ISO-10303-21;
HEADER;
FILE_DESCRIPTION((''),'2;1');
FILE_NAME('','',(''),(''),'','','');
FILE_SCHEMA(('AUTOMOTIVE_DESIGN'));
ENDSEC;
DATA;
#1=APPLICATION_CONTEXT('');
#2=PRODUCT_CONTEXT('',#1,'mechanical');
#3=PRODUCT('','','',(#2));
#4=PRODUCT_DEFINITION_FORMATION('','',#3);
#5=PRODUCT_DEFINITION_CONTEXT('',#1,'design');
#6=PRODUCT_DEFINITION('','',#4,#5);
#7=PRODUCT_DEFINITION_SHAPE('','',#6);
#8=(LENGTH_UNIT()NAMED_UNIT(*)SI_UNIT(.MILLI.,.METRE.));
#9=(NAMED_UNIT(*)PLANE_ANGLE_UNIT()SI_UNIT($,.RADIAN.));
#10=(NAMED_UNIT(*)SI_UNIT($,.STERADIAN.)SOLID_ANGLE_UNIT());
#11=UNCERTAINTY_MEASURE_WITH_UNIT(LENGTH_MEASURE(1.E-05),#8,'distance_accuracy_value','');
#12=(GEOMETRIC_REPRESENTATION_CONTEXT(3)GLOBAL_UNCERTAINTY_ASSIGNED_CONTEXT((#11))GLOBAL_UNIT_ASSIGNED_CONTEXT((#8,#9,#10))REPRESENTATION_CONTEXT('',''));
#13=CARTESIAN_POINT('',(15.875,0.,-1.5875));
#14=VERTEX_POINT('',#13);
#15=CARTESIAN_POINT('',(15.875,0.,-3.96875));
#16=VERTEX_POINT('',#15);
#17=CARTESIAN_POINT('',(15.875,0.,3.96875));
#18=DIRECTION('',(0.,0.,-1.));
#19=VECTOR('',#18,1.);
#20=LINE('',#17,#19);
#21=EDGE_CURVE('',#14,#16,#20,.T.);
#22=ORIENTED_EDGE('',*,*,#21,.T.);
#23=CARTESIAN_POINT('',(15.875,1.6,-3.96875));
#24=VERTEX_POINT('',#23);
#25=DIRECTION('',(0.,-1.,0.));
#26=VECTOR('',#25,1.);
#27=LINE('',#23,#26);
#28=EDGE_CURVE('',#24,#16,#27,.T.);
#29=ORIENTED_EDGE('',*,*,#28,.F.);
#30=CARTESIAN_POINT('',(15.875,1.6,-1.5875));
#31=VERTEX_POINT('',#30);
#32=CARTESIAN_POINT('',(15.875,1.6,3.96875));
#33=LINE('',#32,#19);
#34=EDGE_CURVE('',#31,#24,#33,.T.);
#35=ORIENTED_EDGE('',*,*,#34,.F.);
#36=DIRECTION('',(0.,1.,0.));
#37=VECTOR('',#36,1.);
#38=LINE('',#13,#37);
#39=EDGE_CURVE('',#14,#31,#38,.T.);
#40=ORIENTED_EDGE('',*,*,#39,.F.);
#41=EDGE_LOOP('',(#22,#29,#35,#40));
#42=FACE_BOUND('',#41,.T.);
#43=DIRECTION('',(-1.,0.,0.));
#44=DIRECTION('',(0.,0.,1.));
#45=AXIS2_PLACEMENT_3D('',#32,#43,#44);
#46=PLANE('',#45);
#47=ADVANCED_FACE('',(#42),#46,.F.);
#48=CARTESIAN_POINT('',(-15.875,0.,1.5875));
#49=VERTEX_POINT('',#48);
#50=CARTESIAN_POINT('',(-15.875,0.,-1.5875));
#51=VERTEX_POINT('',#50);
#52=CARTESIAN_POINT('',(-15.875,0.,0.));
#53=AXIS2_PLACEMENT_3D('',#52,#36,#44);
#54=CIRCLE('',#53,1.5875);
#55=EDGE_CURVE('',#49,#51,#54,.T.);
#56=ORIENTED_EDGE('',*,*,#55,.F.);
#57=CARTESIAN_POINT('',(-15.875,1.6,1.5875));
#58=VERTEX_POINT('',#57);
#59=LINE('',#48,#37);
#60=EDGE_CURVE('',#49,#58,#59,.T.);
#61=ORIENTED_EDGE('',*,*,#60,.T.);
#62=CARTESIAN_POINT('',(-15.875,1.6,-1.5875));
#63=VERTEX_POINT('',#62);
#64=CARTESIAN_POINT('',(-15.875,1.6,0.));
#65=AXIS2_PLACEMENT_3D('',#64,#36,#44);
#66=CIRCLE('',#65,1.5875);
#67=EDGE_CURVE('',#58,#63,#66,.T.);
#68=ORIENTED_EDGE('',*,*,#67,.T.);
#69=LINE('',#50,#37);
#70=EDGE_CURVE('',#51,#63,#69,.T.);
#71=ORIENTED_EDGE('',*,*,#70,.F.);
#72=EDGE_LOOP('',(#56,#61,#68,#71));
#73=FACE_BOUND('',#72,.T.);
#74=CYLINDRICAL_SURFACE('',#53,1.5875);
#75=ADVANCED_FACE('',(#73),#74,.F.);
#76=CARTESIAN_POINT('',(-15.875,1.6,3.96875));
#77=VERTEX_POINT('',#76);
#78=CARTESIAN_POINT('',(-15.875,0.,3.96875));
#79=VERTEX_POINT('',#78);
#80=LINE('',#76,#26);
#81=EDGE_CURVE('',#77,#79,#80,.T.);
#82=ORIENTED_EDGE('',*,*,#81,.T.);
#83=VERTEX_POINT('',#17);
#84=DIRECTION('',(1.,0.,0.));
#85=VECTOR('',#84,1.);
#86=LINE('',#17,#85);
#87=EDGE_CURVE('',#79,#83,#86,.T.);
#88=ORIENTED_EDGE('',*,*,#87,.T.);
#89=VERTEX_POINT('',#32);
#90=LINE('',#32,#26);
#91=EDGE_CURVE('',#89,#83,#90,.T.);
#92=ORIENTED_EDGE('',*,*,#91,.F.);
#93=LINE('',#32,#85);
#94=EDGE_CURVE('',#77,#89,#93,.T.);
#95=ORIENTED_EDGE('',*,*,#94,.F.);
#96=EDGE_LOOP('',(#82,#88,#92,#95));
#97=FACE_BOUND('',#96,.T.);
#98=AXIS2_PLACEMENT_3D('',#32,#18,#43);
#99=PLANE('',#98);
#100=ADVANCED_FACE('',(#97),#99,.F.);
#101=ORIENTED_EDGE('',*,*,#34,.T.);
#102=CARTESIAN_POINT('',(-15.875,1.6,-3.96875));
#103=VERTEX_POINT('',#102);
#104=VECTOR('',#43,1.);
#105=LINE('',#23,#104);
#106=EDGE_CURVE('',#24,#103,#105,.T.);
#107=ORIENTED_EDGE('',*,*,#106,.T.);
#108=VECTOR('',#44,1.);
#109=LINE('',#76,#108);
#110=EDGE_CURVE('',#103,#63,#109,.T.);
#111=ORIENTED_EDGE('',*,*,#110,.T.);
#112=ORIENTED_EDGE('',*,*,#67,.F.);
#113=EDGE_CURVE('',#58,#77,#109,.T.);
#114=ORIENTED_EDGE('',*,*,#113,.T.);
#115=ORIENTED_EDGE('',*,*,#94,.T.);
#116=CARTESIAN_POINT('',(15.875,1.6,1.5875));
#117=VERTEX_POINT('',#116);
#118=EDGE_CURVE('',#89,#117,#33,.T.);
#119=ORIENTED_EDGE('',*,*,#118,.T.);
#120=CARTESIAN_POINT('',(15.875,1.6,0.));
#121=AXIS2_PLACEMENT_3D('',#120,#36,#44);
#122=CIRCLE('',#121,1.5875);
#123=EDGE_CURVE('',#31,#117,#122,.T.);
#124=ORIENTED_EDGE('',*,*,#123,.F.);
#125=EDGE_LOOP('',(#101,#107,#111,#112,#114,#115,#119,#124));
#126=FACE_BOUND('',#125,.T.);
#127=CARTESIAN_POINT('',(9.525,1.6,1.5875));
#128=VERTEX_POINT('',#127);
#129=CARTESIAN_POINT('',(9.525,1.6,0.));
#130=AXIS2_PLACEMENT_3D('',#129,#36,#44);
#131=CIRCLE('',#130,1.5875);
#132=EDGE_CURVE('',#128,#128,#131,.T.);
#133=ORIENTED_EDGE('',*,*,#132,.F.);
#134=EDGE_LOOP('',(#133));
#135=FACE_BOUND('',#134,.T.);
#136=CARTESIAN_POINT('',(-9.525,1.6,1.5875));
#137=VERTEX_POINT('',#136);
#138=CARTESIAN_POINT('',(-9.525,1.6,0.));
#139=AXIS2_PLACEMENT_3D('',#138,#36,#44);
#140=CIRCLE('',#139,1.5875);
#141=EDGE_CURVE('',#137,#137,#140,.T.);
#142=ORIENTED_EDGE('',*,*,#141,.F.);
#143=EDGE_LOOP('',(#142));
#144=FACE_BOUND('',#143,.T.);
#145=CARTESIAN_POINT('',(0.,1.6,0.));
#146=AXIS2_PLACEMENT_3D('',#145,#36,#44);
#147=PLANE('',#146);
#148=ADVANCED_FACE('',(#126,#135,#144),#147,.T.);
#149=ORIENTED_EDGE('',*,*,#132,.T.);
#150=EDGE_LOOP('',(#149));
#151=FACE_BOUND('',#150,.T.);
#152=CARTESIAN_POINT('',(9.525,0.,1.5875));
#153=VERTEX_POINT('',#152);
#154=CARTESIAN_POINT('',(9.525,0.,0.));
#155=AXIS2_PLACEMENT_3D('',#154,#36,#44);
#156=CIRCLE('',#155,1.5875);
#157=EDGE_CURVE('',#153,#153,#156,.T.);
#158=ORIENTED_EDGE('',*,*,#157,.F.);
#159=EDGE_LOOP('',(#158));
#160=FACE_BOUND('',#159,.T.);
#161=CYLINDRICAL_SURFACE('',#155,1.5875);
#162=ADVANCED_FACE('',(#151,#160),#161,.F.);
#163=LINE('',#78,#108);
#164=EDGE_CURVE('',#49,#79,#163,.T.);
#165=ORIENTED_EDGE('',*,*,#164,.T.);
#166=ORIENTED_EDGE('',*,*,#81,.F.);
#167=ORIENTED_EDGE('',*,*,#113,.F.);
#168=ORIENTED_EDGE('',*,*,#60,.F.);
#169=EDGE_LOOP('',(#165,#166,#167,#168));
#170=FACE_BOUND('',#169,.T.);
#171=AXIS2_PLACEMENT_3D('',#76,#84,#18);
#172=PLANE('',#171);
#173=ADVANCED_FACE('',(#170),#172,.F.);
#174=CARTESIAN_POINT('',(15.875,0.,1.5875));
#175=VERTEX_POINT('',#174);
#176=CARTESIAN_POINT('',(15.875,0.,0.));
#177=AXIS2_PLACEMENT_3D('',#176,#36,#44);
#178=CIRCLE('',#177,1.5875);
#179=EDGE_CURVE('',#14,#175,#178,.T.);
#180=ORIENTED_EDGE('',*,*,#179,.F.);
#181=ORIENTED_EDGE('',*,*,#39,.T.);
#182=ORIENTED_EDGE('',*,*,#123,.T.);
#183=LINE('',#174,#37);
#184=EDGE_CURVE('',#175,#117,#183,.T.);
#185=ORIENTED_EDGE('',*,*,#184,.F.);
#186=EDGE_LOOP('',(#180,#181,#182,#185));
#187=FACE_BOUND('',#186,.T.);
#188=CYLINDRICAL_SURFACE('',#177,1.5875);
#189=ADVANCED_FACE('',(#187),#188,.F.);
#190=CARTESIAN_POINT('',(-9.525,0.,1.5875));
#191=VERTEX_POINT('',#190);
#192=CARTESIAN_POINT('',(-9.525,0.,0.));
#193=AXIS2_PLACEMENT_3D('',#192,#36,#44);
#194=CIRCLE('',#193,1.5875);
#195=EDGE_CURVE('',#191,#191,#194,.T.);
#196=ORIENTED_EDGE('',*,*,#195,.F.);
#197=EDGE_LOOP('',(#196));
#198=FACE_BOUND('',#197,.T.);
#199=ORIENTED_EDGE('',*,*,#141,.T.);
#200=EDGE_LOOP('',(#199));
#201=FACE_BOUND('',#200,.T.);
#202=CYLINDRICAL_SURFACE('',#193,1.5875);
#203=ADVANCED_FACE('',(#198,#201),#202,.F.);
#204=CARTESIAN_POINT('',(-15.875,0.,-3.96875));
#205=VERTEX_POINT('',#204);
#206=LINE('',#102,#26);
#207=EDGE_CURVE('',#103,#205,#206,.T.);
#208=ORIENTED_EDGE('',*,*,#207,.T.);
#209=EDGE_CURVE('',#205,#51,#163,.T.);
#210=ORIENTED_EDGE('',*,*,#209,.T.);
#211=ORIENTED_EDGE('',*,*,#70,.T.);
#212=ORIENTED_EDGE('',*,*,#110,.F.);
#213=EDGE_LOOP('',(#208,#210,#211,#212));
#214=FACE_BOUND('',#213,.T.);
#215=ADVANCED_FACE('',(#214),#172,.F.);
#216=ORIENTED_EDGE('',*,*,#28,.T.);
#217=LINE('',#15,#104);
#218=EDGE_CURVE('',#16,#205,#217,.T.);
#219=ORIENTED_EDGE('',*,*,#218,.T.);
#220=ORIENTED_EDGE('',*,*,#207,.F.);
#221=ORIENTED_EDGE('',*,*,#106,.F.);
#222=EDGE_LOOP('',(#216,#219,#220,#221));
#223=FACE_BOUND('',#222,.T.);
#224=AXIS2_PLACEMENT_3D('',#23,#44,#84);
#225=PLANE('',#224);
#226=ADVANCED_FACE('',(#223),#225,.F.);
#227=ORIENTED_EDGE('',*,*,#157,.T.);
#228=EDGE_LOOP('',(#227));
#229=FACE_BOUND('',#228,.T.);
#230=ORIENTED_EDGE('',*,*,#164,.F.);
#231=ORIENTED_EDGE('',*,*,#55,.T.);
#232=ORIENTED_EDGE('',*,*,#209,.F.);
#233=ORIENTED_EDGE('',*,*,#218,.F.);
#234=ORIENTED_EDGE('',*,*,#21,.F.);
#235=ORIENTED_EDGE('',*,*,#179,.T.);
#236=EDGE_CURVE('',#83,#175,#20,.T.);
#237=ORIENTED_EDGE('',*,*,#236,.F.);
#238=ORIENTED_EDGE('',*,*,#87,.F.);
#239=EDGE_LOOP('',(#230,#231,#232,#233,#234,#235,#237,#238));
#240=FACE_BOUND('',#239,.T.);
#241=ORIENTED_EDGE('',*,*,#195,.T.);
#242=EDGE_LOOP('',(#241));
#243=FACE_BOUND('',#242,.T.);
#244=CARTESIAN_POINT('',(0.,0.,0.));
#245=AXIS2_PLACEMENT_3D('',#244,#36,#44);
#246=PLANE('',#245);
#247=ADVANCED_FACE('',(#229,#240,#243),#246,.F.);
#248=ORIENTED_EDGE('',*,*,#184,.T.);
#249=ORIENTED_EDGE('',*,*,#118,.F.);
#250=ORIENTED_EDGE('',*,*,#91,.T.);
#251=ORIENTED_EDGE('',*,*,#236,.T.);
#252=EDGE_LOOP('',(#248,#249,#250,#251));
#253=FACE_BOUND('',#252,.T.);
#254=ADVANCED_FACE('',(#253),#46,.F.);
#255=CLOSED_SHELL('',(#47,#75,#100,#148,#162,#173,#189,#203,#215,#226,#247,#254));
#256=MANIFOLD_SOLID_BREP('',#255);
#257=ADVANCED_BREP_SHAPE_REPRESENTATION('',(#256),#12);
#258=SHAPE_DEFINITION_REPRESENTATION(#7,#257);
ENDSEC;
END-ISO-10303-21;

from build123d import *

# Parameters (mm, degrees)
SKETCH1_W           = 31.75
SKETCH1_H           = 7.9375
BOSS_EXTRUDE1_DEPTH = 1.6
SKETCH2_R           = 1.5875
CUT_EXTRUDE1_DEPTH  = 17.441611891


with BuildPart() as part:
    # Sketch1 → Boss-Extrude1 (new body)
    with BuildSketch(Plane(origin=(0, 0, 0), x_dir=(1, 0, 0), z_dir=(0, 1, 0))):
        Rectangle(SKETCH1_W, SKETCH1_H)
    extrude(amount=BOSS_EXTRUDE1_DEPTH)

    # Sketch2 → Cut-Extrude1 (cut, through all)
    with BuildSketch(Plane(origin=(0, 1.6, 0), x_dir=(1, 0, 0), z_dir=(0, 1, 0))):
        with Locations(Location((-9.525, 0, 0), (0, 0, 270))):
            Circle(SKETCH2_R)
        with Locations(Location((9.525, 0, 0), (0, 0, 270))):
            Circle(SKETCH2_R)
        with BuildLine():
            Line((-15.875, 1.5875), (-15.875, -1.5875))
            ThreePointArc((-15.875, -1.5875), (-14.2875, 0), (-15.875, 1.5875))
        make_face()
        with BuildLine():
            Line((15.875, -1.5875), (15.875, 1.5875))
            ThreePointArc((15.875, 1.5875), (14.2875, 0), (15.875, -1.5875))
        make_face()
    extrude(amount=-CUT_EXTRUDE1_DEPTH, mode=Mode.SUBTRACT)


solid = part.part
